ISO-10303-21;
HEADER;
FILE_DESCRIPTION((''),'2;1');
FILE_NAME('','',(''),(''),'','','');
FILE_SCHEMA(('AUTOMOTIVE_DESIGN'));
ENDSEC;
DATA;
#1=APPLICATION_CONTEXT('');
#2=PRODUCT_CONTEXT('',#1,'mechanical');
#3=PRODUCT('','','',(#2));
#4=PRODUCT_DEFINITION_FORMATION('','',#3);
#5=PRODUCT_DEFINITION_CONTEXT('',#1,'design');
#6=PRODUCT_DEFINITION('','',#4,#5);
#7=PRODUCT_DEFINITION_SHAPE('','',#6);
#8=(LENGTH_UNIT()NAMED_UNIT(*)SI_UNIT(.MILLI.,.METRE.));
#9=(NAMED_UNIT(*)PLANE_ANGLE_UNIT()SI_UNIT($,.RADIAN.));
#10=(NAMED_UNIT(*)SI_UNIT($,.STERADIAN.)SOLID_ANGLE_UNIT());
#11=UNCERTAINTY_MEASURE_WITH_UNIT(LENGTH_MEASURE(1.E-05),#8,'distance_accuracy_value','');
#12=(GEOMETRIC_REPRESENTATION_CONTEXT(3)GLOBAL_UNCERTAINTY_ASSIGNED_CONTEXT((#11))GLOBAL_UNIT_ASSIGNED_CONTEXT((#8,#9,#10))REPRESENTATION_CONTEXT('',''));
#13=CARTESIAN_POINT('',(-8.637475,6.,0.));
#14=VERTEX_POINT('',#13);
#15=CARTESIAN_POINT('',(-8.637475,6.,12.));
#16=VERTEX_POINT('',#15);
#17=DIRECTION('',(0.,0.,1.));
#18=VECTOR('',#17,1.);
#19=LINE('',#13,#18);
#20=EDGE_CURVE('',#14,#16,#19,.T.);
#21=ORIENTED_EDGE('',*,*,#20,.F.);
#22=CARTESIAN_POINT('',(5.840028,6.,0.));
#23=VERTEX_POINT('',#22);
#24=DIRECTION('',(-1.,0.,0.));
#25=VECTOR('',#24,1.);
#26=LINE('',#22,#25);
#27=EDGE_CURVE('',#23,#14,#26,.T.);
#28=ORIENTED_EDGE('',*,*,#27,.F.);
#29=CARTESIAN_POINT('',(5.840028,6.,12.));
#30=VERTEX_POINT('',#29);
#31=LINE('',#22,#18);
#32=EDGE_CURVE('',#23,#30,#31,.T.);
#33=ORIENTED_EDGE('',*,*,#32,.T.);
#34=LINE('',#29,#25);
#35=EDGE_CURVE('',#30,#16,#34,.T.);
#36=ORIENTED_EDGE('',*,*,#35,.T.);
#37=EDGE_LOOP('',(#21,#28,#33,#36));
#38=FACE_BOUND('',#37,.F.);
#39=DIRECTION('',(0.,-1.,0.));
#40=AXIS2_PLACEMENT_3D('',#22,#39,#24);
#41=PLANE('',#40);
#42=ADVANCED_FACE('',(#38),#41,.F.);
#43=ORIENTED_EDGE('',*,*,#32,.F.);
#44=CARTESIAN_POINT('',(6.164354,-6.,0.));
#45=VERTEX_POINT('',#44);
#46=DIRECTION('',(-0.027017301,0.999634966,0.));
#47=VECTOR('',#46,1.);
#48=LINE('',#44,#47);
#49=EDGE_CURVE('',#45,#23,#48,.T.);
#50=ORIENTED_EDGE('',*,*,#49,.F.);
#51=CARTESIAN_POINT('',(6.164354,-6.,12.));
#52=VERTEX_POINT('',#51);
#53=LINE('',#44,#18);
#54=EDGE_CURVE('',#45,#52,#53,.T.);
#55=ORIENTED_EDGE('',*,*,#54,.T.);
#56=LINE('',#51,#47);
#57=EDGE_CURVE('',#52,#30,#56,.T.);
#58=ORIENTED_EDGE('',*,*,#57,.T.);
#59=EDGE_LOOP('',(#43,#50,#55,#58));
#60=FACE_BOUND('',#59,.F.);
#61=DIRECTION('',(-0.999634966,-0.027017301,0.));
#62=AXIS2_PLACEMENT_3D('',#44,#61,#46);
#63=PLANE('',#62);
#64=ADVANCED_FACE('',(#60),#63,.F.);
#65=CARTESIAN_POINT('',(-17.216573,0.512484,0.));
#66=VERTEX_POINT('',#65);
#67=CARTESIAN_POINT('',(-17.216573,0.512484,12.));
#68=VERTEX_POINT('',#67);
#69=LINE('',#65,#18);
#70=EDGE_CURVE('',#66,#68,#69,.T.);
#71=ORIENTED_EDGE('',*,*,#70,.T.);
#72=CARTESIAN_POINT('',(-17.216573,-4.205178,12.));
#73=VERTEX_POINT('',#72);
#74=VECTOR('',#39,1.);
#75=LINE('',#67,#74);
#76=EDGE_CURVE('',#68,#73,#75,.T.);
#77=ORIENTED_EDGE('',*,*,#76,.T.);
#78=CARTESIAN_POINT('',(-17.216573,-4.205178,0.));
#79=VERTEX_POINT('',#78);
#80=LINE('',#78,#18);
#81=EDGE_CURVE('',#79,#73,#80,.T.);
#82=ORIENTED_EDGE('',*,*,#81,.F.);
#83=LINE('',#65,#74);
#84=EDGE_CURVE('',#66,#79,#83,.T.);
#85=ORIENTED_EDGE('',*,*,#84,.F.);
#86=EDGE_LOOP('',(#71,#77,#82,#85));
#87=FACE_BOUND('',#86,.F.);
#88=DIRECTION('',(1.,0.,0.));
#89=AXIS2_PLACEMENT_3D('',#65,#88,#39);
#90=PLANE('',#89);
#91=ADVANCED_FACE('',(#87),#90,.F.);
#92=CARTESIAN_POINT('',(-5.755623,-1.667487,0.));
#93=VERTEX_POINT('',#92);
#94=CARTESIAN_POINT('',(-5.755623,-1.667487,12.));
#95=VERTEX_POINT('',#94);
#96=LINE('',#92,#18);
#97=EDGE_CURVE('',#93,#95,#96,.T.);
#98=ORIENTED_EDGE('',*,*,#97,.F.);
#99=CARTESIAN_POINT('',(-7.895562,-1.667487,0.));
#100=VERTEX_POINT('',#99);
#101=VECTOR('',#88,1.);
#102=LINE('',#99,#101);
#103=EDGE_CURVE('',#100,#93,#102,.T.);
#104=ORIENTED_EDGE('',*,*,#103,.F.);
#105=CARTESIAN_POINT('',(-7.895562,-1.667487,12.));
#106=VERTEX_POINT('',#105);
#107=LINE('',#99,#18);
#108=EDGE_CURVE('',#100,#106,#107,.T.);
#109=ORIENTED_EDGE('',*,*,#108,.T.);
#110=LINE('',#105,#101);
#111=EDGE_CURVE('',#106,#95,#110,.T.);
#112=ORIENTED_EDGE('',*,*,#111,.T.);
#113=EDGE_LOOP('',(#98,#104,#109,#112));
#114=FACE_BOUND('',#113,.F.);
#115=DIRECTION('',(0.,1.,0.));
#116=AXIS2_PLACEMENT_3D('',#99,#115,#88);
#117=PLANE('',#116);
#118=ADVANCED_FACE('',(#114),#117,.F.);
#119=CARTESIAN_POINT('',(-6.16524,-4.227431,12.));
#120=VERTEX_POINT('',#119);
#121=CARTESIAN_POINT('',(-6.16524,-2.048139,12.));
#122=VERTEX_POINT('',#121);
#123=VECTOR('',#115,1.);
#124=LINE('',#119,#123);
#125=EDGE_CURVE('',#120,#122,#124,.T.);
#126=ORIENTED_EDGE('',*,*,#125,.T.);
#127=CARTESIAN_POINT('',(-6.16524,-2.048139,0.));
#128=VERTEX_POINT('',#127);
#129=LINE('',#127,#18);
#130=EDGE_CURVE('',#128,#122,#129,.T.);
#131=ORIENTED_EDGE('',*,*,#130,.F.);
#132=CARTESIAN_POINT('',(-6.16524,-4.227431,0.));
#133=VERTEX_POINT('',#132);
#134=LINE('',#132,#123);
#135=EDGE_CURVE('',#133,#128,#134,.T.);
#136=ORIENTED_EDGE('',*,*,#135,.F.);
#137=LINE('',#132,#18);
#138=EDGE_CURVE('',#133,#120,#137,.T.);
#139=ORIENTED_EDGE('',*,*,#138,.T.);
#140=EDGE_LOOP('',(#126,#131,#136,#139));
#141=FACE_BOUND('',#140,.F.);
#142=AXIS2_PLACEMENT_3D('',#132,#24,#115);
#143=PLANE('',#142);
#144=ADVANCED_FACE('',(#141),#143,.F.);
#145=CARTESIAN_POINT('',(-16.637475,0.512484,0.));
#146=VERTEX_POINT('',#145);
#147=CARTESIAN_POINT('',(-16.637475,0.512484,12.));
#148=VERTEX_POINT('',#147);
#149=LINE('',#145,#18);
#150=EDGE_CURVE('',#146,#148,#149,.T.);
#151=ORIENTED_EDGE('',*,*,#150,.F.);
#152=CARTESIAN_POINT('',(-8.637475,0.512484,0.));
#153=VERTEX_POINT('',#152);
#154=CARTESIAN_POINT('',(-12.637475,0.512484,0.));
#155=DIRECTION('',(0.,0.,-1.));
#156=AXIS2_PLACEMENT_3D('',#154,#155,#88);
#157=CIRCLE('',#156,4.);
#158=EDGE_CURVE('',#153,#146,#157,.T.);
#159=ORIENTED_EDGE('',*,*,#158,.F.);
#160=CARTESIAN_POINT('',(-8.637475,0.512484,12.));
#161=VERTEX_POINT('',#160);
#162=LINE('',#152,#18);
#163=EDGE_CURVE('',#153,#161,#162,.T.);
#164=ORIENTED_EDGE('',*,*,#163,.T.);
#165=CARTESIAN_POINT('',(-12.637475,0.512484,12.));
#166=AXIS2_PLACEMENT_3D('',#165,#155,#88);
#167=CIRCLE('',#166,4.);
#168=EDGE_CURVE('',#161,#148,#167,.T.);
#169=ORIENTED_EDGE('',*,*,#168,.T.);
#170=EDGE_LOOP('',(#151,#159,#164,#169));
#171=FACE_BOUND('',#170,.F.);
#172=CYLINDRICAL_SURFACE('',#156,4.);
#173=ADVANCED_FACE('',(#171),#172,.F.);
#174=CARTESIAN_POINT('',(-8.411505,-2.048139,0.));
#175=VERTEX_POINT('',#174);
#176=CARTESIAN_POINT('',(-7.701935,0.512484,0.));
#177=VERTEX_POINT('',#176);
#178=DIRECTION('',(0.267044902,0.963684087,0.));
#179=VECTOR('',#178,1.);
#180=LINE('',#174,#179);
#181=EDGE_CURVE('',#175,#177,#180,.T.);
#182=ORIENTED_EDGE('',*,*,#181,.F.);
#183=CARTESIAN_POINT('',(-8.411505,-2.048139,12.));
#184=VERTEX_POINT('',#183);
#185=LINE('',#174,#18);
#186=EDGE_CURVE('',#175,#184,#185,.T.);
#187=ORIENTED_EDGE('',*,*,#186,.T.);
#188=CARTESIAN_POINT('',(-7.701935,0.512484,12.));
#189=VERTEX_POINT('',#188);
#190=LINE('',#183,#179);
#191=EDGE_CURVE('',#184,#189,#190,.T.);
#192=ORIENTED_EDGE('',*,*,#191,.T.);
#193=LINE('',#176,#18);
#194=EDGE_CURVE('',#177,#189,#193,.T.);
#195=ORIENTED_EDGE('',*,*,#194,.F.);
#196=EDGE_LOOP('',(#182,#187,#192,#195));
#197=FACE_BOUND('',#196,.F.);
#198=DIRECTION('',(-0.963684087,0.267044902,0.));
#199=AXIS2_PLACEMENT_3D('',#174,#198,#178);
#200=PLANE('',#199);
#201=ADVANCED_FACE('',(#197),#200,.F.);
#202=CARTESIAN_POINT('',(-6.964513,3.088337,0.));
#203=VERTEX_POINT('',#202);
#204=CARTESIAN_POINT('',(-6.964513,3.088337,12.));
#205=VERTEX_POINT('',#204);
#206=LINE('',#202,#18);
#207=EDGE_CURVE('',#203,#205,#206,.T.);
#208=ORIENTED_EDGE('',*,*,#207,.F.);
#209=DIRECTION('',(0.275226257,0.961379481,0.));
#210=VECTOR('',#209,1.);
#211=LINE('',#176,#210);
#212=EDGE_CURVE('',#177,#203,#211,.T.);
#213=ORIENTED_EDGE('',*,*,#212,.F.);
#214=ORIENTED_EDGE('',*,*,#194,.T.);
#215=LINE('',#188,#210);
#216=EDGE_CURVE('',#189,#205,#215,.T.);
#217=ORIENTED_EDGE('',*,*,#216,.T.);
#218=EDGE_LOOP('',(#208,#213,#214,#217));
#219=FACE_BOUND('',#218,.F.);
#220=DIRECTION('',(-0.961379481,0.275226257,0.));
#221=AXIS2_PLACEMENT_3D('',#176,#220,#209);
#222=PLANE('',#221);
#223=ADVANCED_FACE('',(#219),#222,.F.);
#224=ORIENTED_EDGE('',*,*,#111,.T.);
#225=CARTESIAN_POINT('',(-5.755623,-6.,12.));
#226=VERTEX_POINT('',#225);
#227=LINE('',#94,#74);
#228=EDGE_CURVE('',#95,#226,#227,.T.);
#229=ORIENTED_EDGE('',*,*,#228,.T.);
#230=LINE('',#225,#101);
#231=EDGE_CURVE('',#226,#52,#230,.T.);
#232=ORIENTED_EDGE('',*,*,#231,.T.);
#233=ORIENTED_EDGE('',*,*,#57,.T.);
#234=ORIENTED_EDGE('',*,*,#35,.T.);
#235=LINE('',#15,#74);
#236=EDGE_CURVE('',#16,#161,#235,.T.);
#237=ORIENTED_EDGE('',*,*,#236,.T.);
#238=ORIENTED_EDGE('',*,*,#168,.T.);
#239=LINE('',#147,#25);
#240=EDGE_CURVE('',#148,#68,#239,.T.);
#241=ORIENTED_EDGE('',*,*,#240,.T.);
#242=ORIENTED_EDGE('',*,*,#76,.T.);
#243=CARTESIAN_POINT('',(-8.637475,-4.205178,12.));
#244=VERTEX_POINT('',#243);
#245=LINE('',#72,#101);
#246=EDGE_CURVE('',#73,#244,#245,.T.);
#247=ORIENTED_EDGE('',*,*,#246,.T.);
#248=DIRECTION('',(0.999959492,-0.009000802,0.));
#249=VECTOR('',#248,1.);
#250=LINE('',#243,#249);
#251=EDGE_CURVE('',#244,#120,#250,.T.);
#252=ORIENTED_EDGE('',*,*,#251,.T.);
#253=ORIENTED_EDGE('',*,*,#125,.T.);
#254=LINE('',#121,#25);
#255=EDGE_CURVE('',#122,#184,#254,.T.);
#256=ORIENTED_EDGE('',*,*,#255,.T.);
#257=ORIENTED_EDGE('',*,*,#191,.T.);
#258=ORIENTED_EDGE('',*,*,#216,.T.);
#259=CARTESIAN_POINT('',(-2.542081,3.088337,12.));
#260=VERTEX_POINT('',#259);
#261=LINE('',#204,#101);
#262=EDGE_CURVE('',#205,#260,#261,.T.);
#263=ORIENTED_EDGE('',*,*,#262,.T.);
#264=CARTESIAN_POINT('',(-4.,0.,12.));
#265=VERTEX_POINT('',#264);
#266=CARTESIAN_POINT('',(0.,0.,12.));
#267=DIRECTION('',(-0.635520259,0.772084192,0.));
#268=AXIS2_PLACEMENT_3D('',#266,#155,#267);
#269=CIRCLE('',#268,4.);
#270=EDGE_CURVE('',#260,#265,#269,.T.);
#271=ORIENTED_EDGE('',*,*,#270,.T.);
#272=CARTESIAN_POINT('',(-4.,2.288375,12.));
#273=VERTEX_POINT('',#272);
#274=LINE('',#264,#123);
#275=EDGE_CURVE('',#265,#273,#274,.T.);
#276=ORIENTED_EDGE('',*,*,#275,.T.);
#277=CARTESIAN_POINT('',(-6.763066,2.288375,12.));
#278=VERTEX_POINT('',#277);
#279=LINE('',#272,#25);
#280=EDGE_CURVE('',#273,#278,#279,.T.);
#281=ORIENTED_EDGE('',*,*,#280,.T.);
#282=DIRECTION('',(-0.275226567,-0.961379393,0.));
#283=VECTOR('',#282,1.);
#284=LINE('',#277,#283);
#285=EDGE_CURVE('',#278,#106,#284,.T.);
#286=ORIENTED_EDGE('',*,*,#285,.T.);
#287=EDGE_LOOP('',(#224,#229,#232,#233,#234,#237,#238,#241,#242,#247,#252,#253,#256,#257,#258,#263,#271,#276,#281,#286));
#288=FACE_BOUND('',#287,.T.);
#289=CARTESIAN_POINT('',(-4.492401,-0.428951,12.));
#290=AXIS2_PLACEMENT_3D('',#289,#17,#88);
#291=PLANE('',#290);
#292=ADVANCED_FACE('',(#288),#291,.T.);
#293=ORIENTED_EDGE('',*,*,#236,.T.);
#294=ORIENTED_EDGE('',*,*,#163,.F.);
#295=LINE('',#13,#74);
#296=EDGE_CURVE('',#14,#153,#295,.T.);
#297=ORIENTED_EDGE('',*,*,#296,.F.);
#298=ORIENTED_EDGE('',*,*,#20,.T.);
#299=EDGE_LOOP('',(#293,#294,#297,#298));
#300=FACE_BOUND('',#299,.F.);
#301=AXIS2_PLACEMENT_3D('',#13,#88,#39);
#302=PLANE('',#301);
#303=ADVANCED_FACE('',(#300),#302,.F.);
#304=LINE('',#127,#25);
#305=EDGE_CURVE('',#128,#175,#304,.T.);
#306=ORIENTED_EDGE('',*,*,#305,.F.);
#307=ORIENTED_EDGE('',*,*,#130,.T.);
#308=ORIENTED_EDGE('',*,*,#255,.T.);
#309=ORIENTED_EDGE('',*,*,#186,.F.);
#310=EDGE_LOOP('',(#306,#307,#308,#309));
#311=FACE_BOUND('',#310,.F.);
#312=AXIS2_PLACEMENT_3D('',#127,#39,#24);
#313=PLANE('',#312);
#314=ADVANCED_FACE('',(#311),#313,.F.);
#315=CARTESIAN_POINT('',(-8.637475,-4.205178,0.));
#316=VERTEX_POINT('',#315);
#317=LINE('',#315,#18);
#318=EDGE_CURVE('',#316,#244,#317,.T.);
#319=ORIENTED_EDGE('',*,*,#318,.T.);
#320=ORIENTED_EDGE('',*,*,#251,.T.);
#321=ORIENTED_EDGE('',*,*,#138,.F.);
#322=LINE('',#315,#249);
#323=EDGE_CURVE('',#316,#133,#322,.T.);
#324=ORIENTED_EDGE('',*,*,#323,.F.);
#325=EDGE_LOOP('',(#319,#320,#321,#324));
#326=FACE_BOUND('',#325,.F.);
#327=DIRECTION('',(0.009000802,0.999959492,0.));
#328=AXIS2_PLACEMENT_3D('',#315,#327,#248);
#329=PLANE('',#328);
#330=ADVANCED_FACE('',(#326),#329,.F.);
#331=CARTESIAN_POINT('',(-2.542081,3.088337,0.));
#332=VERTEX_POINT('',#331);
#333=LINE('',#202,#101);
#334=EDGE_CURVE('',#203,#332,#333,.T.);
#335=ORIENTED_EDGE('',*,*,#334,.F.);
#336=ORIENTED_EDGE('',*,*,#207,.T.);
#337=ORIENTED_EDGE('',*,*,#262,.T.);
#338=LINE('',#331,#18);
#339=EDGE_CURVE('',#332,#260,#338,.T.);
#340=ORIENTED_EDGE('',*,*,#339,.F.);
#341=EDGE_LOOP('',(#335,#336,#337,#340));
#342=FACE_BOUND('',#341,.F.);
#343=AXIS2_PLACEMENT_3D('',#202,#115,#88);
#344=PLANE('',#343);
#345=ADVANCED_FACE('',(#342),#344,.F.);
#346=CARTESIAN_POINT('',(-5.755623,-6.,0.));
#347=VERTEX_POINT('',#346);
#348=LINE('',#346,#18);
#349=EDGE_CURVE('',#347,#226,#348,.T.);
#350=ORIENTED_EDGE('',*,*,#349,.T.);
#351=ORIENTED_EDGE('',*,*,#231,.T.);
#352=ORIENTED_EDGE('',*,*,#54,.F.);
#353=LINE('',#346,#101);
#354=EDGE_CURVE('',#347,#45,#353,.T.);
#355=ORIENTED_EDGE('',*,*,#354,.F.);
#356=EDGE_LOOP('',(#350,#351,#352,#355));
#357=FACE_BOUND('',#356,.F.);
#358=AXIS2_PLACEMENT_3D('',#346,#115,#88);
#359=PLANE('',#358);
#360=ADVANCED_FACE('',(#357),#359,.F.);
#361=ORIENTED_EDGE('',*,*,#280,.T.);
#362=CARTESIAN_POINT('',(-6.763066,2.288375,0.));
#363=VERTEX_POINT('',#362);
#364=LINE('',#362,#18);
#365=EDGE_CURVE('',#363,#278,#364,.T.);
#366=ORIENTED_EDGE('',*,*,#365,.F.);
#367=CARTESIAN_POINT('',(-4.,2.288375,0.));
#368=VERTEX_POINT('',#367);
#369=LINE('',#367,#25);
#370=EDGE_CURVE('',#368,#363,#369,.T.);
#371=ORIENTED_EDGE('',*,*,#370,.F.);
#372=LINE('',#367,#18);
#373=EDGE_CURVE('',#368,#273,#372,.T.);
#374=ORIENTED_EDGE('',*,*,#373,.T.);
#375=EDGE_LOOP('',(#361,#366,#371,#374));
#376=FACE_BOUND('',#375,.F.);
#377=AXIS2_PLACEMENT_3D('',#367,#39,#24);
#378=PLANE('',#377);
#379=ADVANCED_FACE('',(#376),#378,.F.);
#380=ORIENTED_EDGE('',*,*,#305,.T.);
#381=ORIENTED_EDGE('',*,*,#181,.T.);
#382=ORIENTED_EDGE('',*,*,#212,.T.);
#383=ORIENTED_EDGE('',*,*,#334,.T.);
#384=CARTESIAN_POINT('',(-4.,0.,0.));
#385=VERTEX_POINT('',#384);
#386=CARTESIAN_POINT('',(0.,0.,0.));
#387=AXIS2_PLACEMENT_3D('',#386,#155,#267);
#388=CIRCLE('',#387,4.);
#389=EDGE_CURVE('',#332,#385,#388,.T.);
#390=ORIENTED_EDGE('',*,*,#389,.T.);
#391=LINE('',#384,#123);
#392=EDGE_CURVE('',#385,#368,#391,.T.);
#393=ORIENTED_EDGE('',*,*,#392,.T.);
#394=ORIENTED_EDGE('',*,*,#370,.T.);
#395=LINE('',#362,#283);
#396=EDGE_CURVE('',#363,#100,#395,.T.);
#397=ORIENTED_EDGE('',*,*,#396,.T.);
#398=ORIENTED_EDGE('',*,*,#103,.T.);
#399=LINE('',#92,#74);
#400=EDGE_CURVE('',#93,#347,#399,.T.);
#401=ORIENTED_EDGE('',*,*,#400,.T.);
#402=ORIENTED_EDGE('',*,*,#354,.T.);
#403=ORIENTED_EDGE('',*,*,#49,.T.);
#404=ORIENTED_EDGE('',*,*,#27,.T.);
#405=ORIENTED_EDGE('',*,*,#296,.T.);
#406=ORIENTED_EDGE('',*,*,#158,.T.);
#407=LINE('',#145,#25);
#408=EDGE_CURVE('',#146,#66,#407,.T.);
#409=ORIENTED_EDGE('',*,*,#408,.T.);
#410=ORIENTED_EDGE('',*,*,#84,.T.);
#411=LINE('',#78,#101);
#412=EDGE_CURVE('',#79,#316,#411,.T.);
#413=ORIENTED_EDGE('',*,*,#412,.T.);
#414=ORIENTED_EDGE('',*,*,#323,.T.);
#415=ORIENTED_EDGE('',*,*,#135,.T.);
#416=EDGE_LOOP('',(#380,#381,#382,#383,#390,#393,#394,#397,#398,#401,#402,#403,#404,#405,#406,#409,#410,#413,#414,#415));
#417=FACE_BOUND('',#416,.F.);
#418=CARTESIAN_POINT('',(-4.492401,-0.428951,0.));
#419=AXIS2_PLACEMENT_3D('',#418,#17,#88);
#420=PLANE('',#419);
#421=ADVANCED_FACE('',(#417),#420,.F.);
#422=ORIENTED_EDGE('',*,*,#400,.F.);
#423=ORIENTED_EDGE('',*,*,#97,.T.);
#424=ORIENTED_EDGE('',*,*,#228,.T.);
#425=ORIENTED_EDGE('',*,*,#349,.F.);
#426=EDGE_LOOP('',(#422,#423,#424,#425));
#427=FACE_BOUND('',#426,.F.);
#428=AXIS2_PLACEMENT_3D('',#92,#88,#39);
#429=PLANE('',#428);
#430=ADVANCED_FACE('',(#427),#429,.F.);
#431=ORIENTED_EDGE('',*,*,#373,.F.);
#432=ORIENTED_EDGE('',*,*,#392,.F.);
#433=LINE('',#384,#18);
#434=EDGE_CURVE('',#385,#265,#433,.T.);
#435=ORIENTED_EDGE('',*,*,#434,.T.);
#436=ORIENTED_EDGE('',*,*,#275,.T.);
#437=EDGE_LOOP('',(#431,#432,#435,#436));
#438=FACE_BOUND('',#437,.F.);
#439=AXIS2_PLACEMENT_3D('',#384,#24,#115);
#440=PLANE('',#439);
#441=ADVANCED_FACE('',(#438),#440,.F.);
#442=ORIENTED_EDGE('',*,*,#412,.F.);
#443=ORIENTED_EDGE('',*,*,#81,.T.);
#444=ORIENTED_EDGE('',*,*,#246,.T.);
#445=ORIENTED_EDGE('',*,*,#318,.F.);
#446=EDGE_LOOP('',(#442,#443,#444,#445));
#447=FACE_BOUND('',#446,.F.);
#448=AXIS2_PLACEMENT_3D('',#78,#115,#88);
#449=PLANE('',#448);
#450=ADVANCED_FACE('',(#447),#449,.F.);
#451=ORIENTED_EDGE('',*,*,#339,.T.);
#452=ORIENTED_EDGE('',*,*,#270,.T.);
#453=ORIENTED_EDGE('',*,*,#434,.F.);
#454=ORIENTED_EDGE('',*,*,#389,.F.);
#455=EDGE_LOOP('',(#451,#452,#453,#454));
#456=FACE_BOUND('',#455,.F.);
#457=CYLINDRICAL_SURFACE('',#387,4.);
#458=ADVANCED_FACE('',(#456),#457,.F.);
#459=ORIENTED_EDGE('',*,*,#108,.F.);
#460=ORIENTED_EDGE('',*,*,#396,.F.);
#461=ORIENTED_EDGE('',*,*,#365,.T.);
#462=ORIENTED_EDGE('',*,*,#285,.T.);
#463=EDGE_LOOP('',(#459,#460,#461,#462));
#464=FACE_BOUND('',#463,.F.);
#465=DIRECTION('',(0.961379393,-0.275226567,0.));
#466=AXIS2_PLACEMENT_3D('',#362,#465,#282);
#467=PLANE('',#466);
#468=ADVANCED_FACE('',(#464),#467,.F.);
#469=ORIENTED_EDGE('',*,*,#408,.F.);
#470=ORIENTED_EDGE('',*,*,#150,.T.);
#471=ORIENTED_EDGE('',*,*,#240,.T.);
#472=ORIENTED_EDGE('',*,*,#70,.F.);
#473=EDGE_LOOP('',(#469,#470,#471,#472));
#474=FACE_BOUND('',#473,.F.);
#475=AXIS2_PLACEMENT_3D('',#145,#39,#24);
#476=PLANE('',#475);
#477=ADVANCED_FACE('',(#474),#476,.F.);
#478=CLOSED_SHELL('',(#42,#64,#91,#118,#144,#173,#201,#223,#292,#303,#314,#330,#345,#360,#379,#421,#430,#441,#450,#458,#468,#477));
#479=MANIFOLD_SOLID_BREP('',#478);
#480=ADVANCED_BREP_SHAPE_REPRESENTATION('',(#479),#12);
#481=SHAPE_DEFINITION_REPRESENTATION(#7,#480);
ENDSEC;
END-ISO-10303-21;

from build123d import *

# Parameters (mm, degrees)
F1_DEPTH = 12


with BuildPart() as f1:
    # F0 (on Top) → F1 (new body)
    with BuildSketch(Plane.XY):
        with BuildLine():
            ThreePointArc((-2.542081, 3.088337), (3.617204, -1.707582), (-4, 0))
            Line((-4, 0), (-4, 2.288375))
            Line((-4, 2.288375), (-6.763066, 2.288375))
            Line((-6.763066, 2.288375), (-7.895562, -1.667487))
            Line((-7.895562, -1.667487), (-5.755623, -1.667487))
            Line((-5.755623, -1.667487), (-5.755623, -6))
            Line((-5.755623, -6), (6.164354, -6))
            Line((6.164354, -6), (5.840028, 6))
            Line((5.840028, 6), (-8.637475, 6))
            Line((-8.637475, 6), (-8.637475, 0.512484))
            ThreePointArc((-8.637475, 0.512484), (-12.637475, -3.487516), (-16.637475, 0.512484))
            Line((-16.637475, 0.512484), (-17.216573, 0.512484))
            Line((-17.216573, 0.512484), (-17.216573, -4.205178))
            Line((-17.216573, -4.205178), (-8.637475, -4.205178))
            Line((-8.637475, -4.205178), (-6.16524, -4.227431))
            Line((-6.16524, -4.227431), (-6.16524, -2.048139))
            Line((-6.16524, -2.048139), (-8.411505, -2.048139))
            Line((-8.411505, -2.048139), (-7.701935, 0.512484))
            Line((-7.701935, 0.512484), (-6.964513, 3.088337))
            Line((-6.964513, 3.088337), (-2.542081, 3.088337))
        make_face()
    extrude(amount=F1_DEPTH)


solid = f1.part
